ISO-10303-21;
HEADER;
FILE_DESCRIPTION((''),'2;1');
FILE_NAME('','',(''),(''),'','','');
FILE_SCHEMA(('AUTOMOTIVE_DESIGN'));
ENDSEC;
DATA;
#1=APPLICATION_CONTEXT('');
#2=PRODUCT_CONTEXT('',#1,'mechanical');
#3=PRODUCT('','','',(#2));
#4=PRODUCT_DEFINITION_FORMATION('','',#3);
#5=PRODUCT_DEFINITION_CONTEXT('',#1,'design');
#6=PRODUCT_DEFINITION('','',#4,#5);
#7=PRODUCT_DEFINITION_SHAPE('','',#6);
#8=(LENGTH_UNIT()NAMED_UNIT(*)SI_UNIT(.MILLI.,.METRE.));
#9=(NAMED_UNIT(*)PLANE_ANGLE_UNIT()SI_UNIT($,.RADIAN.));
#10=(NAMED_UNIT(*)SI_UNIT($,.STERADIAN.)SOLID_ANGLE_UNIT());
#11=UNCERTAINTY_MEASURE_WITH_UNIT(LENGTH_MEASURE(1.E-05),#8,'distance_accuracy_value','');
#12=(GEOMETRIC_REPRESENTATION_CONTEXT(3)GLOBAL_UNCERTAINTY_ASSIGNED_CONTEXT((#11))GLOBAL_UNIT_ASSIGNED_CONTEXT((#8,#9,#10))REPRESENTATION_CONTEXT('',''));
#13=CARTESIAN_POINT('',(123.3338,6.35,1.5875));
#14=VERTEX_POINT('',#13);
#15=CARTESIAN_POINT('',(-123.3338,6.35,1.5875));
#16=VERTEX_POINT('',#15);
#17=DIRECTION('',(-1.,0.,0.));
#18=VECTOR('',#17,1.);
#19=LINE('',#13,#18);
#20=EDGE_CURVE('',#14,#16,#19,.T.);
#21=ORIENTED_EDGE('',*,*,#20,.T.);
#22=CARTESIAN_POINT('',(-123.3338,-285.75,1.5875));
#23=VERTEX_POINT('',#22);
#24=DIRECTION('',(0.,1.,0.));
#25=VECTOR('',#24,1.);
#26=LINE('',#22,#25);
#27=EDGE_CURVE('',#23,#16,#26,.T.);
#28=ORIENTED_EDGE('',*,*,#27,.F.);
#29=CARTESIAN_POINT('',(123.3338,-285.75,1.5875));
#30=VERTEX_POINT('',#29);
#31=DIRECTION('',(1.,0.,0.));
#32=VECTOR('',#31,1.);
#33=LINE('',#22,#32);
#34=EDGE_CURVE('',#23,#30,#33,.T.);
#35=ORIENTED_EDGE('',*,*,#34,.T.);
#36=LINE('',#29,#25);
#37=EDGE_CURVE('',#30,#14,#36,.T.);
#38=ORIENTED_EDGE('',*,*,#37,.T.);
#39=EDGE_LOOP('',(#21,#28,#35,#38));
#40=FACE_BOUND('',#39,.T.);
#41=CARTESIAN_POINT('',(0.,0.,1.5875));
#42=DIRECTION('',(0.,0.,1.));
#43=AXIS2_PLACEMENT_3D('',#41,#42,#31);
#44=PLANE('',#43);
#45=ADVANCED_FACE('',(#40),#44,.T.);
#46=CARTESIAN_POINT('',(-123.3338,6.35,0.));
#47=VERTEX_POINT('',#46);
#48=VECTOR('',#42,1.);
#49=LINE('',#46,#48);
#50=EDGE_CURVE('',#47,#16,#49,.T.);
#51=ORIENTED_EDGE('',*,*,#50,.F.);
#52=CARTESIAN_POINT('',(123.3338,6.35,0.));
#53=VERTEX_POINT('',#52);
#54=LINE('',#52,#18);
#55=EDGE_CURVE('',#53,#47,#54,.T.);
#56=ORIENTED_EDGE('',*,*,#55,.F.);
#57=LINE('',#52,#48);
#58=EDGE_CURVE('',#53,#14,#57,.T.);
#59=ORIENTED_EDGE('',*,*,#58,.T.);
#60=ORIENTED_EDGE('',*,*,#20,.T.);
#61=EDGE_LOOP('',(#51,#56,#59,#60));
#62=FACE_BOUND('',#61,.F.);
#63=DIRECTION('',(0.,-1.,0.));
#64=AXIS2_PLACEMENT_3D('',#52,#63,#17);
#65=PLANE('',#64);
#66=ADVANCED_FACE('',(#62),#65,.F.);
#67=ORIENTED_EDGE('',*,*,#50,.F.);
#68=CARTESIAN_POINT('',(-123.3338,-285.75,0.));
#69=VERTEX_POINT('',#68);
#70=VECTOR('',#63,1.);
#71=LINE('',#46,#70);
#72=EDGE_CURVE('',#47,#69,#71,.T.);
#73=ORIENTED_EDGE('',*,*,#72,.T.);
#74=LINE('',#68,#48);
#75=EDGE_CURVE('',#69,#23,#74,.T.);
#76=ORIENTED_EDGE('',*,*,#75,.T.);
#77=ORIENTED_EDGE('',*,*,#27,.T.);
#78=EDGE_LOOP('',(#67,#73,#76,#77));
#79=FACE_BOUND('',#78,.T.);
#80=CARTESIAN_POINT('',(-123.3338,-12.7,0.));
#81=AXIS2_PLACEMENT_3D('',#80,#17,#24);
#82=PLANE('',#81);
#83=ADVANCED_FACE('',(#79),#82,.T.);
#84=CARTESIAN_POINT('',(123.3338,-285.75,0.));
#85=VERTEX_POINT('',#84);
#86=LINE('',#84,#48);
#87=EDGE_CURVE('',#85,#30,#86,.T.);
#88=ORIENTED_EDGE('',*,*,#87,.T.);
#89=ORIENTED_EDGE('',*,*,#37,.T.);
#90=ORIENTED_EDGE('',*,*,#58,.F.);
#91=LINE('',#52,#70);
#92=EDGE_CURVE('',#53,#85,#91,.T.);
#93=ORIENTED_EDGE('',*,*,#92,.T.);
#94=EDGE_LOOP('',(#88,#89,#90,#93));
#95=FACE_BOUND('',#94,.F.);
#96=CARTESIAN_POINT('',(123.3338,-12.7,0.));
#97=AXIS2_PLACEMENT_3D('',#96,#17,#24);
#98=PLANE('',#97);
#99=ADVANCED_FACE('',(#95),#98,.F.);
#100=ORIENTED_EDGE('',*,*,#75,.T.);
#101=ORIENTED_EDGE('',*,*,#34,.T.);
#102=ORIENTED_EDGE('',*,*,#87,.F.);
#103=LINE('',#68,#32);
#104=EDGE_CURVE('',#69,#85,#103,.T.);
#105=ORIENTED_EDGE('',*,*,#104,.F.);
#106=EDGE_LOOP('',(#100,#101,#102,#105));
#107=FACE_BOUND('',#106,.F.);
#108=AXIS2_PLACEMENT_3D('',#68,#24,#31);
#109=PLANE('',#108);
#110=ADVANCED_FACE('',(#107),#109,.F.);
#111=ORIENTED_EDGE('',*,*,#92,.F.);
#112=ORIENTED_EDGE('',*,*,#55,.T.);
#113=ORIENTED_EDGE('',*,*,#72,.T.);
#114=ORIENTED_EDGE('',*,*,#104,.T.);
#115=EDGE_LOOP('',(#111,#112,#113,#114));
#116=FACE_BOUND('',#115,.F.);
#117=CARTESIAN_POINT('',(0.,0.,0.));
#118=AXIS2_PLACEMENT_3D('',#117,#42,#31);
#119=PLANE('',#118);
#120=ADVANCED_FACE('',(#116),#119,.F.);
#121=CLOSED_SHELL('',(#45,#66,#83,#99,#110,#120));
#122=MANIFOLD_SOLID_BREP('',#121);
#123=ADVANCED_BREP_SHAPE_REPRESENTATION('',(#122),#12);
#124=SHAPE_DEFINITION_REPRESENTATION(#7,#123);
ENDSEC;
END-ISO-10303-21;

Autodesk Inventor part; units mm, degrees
ref_plane "YZ Plane" through (0, 0, 0) normal (1, 0, 0) x (0, 1, 0)
ref_plane "XZ Plane" through (0, 0, 0) normal (0, 1, 0) x (-1, 0, 0)
ref_plane "XY Plane" through (0, 0, 0) normal (0, 0, 1) x (1, 0, 0)
sketch "Sketch1" plane through (0, 0, 0) normal (0, 0, 1) x (1, 0, 0)
  line L0 (-123.3338, -12.7) -> (-123.3338, 6.35) projected
  line L1 (123.3338, -12.7) -> (-123.3338, -12.7) projected
  line L2 (123.3338, -12.7) -> (123.3338, 6.35) projected
  line L3 (123.3338, -266.7) -> (123.3338, -285.75) projected
  line L4 (-123.3338, -266.7) -> (123.3338, -266.7) projected
  line L5 (-123.3338, -266.7) -> (-123.3338, -285.75) projected
  line L6 (123.3338, 6.35) -> (-123.3338, 6.35)
  line L7 (-123.3338, 6.35) -> (-123.3338, -285.75)
  line L8 (-123.3338, -285.75) -> (123.3338, -285.75)
  line L9 (123.3338, -285.75) -> (123.3338, 6.35)
  line L10 (123.3338, 6.35) -> (-123.3338, 6.35) projected
  line L11 (-123.3338, -285.75) -> (123.3338, -285.75) projected
  point P0 (0, 0)
extrude "Extrusion1" add sketch "Sketch1" along normal blind 1.5875
properties part number "TopPanel" material "ABS Plastic"
